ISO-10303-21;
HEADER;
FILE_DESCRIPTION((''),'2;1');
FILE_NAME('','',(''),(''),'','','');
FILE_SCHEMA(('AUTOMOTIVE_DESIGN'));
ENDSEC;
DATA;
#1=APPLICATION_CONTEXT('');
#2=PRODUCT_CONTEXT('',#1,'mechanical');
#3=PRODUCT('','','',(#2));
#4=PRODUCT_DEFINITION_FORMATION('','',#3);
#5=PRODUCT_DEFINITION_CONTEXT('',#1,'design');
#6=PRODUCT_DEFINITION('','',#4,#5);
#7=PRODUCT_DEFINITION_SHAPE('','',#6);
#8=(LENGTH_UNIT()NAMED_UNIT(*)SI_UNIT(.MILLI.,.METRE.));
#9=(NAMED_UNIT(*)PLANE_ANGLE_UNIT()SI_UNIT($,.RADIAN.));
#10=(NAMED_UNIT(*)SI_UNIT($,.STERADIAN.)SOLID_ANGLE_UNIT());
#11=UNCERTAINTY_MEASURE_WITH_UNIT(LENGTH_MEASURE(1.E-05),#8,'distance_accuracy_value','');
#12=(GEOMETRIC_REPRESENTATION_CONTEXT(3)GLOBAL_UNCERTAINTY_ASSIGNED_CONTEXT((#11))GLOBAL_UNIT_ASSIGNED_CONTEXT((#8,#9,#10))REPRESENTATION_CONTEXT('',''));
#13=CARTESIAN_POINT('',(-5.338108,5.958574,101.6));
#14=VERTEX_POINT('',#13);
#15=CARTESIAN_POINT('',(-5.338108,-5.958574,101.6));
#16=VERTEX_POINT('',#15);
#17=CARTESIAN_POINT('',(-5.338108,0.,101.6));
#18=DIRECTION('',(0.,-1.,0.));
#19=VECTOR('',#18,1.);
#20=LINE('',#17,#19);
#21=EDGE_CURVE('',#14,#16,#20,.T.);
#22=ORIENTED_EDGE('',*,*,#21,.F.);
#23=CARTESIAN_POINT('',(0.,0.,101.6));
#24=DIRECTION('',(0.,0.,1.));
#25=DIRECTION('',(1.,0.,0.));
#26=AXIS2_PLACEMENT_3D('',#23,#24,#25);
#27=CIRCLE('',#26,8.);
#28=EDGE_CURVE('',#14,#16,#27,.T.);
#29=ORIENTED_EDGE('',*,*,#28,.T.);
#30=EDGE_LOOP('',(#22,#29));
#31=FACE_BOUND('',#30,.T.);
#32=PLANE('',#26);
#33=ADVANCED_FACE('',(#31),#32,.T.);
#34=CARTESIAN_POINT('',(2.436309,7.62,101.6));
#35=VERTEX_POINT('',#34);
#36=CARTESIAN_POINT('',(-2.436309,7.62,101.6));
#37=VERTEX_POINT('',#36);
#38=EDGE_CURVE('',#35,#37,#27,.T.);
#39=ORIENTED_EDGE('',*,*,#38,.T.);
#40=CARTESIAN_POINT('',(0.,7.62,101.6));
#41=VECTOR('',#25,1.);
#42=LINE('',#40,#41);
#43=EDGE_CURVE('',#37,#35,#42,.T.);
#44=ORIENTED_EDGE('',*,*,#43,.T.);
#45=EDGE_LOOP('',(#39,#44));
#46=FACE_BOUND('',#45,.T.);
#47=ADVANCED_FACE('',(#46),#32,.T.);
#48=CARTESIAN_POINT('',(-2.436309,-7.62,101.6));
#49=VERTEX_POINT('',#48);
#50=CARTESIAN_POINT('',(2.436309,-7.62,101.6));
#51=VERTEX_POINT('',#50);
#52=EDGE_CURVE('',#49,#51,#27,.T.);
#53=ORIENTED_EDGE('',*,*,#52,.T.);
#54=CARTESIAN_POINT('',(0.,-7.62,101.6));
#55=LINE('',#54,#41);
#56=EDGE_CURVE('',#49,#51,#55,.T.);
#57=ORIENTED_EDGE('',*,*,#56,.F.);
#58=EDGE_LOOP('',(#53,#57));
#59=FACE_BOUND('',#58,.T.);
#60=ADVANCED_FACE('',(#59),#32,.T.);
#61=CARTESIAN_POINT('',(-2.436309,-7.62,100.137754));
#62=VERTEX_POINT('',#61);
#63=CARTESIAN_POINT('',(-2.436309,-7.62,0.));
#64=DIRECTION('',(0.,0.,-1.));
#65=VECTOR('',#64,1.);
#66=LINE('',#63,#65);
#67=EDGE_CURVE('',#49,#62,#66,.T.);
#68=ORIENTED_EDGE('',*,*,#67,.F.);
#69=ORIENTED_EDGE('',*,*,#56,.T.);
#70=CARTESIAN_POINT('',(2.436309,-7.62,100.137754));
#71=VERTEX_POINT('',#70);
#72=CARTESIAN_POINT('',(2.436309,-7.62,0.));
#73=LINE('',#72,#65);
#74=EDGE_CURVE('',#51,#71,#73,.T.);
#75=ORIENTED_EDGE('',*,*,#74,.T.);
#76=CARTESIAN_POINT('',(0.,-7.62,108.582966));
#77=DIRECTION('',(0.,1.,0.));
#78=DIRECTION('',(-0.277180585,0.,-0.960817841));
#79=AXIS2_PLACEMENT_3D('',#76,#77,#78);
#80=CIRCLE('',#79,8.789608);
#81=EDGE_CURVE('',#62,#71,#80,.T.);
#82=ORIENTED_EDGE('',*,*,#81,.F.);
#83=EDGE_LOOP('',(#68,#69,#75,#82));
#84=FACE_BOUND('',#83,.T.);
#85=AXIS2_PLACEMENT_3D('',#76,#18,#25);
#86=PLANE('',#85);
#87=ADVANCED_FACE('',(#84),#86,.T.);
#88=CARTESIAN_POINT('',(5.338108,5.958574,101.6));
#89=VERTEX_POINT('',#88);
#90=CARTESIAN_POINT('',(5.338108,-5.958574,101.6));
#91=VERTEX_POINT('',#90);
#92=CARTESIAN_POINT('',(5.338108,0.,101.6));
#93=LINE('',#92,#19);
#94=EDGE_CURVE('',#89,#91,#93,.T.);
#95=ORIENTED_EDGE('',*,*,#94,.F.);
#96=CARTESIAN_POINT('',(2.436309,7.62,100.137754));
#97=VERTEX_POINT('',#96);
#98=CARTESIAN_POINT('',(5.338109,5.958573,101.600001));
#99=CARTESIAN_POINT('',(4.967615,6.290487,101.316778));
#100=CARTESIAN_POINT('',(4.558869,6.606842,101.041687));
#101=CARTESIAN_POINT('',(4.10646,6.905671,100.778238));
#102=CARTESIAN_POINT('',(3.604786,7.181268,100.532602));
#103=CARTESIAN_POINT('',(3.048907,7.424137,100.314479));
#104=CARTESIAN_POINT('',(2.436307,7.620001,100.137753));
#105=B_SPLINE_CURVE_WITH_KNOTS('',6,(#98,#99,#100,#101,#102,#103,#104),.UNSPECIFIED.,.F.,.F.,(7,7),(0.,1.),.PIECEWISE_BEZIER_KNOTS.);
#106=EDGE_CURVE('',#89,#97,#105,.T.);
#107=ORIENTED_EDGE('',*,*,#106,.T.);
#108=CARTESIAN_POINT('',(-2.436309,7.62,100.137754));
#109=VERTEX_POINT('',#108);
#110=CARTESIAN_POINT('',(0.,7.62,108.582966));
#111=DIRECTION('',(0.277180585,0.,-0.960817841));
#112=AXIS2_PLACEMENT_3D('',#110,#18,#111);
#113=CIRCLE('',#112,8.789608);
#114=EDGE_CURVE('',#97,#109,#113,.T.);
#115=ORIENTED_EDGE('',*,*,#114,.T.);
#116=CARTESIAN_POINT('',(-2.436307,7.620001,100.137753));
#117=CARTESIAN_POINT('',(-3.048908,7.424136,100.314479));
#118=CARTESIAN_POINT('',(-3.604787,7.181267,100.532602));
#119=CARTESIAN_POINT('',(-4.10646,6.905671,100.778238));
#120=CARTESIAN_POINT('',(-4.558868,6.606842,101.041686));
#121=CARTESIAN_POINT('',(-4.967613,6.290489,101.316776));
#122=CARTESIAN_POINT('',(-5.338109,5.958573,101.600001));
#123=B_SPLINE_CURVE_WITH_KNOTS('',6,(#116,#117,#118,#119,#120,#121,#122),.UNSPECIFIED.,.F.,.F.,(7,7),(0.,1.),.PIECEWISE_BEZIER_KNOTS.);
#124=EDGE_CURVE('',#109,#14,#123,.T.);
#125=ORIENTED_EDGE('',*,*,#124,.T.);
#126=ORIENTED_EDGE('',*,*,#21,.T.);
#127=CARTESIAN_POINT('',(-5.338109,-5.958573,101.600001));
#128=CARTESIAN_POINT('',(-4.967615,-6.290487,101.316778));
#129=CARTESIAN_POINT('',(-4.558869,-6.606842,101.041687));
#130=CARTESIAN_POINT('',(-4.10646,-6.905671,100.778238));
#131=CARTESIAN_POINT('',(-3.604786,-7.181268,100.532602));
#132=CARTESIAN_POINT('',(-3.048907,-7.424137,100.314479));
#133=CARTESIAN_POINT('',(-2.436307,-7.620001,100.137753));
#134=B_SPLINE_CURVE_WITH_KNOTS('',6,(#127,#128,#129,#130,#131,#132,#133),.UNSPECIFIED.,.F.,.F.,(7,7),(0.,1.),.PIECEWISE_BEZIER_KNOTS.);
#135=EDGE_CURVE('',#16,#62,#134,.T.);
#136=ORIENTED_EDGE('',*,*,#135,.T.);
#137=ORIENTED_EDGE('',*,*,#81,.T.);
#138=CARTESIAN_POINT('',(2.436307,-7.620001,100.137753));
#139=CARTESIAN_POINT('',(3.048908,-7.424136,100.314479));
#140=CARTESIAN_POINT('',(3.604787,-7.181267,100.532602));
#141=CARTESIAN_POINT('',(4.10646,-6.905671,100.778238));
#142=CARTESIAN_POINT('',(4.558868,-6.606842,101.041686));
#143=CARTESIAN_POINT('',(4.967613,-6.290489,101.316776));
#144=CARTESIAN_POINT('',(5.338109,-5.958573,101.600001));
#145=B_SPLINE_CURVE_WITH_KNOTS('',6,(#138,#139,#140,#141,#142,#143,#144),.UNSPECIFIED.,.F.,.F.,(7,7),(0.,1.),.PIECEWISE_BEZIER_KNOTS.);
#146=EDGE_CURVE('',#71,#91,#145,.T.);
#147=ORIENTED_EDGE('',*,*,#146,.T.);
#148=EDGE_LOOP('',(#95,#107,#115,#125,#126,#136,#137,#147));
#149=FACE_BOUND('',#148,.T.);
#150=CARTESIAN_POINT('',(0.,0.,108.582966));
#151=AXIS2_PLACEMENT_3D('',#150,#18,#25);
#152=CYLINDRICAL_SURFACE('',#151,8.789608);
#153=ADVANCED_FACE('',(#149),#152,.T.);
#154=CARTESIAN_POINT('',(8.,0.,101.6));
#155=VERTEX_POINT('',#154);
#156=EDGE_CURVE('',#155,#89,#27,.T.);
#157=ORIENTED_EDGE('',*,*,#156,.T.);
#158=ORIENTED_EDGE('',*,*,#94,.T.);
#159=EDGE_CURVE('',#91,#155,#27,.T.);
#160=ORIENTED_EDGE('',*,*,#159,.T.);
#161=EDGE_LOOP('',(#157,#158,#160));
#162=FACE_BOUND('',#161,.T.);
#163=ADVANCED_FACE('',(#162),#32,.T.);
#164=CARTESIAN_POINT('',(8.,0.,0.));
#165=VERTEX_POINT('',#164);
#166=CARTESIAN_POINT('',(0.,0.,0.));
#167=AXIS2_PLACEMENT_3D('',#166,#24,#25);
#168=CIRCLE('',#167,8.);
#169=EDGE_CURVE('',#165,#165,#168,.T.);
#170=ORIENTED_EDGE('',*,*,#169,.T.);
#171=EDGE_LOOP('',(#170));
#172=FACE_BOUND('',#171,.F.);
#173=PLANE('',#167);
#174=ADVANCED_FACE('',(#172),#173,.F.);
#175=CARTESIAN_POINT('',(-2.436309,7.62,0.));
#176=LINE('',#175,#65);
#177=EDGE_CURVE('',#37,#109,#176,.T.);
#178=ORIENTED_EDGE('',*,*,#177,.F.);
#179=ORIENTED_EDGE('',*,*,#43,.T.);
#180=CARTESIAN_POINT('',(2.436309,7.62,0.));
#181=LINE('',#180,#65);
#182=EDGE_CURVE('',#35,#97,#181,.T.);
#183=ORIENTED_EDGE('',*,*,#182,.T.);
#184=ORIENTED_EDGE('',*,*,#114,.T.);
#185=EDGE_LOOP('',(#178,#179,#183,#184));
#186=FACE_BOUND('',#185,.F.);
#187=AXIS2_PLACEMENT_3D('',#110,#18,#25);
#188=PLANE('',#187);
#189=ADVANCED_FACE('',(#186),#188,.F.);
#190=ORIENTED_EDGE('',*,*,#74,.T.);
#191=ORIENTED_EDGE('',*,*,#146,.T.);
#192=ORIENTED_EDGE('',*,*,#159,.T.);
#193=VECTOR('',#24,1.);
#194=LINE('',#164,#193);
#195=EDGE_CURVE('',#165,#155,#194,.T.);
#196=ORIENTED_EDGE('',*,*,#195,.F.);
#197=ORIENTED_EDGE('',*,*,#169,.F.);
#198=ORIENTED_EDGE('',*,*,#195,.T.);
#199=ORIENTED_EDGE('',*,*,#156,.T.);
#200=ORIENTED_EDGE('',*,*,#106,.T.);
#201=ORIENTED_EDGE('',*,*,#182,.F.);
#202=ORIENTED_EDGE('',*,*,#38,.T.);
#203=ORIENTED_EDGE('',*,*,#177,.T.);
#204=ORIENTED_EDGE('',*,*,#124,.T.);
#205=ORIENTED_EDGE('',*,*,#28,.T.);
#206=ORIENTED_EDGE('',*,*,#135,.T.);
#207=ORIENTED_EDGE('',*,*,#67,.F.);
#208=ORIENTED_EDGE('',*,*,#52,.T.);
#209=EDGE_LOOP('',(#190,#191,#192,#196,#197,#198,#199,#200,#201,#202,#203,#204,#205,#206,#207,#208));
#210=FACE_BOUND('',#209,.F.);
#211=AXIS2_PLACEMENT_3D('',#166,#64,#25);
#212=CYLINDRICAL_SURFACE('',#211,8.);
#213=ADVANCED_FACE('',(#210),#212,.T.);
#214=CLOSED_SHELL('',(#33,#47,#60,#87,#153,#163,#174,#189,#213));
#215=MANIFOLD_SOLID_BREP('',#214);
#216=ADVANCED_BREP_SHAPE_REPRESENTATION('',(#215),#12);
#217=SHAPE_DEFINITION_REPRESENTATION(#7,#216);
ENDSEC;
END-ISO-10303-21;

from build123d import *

# Parameters (mm, degrees)
F0_R     = 8
F1_DEPTH = 101.6
F2_R     = 8.789608
F3_DEPTH = 7.62


with BuildPart() as f1:
    # F0 (on Top) → F1 (new body)
    with BuildSketch(Plane.XY):
        Circle(F0_R)
    extrude(amount=F1_DEPTH)

    # F2 (on Front) → F3 (join, symmetric)
    with BuildSketch(Plane.XZ):
        with Locations((0, 108.582966)):
            Circle(F2_R)
    extrude(amount=F3_DEPTH, both=True)


solid = f1.part
